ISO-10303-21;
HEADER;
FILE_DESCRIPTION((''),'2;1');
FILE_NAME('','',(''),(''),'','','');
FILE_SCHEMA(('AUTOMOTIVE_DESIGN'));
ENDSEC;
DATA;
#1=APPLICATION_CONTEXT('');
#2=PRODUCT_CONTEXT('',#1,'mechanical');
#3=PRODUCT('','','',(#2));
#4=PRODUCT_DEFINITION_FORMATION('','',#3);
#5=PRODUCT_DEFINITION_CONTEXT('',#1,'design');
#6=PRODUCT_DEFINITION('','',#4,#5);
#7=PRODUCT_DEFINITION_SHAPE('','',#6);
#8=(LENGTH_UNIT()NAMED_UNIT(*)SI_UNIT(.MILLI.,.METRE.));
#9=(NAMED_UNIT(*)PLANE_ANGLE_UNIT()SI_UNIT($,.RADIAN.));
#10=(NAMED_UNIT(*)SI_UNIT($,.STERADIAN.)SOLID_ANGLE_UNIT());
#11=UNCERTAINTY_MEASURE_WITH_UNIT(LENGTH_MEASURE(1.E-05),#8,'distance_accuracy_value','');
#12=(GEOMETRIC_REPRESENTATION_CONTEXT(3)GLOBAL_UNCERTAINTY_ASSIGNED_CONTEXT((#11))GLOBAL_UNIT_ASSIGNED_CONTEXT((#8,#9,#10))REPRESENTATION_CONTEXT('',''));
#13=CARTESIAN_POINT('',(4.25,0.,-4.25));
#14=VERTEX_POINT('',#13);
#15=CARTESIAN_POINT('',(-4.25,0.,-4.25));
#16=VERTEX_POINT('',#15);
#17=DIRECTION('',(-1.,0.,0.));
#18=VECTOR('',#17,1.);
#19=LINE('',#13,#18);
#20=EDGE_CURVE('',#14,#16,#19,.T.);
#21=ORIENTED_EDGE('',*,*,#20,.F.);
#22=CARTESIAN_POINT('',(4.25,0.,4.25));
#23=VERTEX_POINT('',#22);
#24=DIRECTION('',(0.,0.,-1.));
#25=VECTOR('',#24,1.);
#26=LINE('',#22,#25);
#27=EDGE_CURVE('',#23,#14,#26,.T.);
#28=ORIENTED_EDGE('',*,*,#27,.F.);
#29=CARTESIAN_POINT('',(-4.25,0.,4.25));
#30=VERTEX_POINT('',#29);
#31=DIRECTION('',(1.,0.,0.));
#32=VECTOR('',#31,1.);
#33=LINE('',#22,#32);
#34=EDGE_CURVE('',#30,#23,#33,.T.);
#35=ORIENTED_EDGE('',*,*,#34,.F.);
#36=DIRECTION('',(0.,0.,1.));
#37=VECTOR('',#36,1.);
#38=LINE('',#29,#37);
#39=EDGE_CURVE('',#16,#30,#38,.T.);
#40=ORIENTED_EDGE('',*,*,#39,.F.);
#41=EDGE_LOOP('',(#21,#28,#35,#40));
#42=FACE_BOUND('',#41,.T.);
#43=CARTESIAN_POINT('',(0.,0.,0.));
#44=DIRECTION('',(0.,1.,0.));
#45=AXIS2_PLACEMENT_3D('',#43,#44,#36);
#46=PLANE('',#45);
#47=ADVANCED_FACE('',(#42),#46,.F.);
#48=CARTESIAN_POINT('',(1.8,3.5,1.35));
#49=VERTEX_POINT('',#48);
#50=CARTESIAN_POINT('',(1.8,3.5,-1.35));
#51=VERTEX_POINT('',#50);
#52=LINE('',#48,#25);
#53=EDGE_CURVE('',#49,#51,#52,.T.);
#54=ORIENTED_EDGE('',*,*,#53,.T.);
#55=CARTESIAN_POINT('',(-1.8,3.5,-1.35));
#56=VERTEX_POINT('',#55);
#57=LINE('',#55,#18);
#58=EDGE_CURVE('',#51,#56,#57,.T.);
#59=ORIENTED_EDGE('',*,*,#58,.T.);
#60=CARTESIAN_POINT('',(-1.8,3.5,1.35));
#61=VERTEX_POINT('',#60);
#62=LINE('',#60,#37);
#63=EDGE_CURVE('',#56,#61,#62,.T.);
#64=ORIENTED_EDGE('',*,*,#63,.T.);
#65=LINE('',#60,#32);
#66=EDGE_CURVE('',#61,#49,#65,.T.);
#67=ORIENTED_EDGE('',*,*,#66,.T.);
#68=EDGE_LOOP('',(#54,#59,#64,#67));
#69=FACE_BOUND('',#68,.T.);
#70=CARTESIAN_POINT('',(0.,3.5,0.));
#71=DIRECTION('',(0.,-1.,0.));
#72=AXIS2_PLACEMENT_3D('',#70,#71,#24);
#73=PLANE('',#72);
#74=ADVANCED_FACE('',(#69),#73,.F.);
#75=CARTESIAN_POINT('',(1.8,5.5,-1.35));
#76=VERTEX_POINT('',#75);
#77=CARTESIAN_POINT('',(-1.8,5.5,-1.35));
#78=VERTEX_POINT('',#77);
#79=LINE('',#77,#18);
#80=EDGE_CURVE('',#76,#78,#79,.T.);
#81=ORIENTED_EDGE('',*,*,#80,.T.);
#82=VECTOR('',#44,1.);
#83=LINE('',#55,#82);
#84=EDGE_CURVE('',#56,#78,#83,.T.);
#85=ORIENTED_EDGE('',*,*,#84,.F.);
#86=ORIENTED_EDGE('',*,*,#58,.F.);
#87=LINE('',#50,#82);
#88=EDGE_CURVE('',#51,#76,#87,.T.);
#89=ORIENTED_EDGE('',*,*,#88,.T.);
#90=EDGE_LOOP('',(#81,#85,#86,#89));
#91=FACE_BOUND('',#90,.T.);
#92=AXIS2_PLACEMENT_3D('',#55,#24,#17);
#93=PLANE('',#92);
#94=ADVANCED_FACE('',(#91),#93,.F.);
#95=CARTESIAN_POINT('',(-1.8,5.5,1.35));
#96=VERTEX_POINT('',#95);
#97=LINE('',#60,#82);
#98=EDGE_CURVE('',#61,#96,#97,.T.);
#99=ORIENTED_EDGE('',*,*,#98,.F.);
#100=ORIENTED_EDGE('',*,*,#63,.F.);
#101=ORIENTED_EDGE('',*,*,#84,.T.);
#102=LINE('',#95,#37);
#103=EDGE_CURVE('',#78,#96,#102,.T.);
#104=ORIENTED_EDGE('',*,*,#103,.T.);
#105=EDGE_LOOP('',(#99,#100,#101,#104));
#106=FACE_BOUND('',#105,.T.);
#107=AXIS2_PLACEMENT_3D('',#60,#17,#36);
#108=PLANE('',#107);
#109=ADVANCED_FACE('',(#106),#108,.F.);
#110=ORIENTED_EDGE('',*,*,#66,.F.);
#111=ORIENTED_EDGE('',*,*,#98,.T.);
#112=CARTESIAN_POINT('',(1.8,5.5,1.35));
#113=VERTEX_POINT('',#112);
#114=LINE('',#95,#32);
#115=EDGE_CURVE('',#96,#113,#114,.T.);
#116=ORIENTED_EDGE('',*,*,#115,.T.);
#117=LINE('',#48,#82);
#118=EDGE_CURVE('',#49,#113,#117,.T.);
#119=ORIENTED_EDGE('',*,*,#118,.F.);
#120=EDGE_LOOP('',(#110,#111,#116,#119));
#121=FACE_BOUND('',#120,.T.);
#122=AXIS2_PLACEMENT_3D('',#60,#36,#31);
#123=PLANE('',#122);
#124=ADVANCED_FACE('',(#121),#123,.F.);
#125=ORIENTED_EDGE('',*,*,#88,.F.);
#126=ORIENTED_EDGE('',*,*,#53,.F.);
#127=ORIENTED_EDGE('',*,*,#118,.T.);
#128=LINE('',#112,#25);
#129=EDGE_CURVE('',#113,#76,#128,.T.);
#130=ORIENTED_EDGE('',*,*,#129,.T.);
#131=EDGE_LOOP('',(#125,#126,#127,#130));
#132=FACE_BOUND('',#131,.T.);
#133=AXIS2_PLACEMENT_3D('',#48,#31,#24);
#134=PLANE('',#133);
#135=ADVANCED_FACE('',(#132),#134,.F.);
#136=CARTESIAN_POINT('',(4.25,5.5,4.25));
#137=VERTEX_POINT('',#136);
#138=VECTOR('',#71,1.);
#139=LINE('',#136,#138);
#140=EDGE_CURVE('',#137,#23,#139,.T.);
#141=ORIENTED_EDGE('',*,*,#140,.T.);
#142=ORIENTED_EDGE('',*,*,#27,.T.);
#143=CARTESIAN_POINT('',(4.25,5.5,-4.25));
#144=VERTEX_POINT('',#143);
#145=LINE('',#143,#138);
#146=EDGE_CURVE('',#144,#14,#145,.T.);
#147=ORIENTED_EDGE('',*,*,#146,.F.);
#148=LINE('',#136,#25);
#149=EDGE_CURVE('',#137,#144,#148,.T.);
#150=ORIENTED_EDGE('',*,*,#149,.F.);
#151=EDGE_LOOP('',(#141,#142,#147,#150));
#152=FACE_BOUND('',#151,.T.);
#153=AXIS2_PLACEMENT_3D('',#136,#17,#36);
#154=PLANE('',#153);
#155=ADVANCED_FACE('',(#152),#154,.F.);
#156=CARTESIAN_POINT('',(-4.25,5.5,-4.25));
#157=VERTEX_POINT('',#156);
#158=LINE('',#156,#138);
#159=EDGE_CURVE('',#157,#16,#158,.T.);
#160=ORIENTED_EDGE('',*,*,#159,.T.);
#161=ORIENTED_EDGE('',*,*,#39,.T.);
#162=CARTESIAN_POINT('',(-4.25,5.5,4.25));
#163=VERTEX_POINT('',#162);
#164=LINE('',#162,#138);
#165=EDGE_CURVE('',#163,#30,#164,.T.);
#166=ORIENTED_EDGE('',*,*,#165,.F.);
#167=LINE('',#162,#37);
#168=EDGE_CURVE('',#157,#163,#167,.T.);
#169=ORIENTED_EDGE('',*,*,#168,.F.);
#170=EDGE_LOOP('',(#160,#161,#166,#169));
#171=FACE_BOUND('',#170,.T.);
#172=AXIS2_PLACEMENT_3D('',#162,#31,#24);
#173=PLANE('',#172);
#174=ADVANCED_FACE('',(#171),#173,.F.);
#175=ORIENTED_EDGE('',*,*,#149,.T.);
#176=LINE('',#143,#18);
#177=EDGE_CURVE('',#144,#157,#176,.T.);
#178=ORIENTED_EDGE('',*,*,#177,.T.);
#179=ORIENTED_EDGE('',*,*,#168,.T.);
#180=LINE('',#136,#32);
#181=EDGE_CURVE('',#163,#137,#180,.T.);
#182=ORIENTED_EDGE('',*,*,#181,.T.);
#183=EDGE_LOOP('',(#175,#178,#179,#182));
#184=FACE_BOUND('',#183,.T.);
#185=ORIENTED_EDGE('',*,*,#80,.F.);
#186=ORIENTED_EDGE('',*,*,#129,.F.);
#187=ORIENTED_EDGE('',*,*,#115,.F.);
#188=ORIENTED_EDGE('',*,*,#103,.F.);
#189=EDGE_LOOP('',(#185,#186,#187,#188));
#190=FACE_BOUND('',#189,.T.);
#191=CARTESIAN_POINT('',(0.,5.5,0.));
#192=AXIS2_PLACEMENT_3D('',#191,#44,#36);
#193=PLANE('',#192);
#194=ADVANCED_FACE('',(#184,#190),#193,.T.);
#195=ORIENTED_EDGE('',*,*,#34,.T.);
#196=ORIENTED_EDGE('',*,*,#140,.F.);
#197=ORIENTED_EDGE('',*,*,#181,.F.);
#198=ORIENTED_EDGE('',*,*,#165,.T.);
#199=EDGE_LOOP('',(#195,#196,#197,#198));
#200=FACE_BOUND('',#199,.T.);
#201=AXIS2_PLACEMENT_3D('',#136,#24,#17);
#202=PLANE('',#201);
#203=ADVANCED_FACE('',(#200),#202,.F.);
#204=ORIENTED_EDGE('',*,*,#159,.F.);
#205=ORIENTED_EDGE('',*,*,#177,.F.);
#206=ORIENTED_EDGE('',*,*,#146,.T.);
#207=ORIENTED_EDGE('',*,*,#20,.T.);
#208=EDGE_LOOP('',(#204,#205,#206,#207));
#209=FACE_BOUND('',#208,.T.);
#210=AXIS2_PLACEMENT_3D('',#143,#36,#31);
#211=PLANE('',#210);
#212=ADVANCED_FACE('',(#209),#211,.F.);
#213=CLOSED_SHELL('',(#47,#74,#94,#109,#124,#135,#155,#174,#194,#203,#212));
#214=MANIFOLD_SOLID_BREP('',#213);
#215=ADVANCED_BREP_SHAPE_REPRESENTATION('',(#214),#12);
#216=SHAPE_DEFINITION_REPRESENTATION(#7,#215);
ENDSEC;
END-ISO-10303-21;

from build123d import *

# Parameters (mm, degrees)
SKETCH1_W           = 8.5
SKETCH1_H           = 8.5
BOSS_EXTRUDE1_DEPTH = 5.5
SKETCH2_W           = 3.6
SKETCH2_H           = 2.7
CUT_EXTRUDE1_DEPTH  = 2


with BuildPart() as part:
    # Sketch1 → Boss-Extrude1 (new body)
    with BuildSketch(Plane(origin=(0, 0, 0), x_dir=(1, 0, 0), z_dir=(0, 1, 0))):
        Rectangle(SKETCH1_W, SKETCH1_H)
    extrude(amount=BOSS_EXTRUDE1_DEPTH)

    # Sketch2 → Cut-Extrude1 (cut)
    with BuildSketch(Plane(origin=(0, 5.5, 0), x_dir=(1, 0, 0), z_dir=(0, 1, 0))):
        Rectangle(SKETCH2_W, SKETCH2_H)
    extrude(amount=-CUT_EXTRUDE1_DEPTH, mode=Mode.SUBTRACT)


solid = part.part
